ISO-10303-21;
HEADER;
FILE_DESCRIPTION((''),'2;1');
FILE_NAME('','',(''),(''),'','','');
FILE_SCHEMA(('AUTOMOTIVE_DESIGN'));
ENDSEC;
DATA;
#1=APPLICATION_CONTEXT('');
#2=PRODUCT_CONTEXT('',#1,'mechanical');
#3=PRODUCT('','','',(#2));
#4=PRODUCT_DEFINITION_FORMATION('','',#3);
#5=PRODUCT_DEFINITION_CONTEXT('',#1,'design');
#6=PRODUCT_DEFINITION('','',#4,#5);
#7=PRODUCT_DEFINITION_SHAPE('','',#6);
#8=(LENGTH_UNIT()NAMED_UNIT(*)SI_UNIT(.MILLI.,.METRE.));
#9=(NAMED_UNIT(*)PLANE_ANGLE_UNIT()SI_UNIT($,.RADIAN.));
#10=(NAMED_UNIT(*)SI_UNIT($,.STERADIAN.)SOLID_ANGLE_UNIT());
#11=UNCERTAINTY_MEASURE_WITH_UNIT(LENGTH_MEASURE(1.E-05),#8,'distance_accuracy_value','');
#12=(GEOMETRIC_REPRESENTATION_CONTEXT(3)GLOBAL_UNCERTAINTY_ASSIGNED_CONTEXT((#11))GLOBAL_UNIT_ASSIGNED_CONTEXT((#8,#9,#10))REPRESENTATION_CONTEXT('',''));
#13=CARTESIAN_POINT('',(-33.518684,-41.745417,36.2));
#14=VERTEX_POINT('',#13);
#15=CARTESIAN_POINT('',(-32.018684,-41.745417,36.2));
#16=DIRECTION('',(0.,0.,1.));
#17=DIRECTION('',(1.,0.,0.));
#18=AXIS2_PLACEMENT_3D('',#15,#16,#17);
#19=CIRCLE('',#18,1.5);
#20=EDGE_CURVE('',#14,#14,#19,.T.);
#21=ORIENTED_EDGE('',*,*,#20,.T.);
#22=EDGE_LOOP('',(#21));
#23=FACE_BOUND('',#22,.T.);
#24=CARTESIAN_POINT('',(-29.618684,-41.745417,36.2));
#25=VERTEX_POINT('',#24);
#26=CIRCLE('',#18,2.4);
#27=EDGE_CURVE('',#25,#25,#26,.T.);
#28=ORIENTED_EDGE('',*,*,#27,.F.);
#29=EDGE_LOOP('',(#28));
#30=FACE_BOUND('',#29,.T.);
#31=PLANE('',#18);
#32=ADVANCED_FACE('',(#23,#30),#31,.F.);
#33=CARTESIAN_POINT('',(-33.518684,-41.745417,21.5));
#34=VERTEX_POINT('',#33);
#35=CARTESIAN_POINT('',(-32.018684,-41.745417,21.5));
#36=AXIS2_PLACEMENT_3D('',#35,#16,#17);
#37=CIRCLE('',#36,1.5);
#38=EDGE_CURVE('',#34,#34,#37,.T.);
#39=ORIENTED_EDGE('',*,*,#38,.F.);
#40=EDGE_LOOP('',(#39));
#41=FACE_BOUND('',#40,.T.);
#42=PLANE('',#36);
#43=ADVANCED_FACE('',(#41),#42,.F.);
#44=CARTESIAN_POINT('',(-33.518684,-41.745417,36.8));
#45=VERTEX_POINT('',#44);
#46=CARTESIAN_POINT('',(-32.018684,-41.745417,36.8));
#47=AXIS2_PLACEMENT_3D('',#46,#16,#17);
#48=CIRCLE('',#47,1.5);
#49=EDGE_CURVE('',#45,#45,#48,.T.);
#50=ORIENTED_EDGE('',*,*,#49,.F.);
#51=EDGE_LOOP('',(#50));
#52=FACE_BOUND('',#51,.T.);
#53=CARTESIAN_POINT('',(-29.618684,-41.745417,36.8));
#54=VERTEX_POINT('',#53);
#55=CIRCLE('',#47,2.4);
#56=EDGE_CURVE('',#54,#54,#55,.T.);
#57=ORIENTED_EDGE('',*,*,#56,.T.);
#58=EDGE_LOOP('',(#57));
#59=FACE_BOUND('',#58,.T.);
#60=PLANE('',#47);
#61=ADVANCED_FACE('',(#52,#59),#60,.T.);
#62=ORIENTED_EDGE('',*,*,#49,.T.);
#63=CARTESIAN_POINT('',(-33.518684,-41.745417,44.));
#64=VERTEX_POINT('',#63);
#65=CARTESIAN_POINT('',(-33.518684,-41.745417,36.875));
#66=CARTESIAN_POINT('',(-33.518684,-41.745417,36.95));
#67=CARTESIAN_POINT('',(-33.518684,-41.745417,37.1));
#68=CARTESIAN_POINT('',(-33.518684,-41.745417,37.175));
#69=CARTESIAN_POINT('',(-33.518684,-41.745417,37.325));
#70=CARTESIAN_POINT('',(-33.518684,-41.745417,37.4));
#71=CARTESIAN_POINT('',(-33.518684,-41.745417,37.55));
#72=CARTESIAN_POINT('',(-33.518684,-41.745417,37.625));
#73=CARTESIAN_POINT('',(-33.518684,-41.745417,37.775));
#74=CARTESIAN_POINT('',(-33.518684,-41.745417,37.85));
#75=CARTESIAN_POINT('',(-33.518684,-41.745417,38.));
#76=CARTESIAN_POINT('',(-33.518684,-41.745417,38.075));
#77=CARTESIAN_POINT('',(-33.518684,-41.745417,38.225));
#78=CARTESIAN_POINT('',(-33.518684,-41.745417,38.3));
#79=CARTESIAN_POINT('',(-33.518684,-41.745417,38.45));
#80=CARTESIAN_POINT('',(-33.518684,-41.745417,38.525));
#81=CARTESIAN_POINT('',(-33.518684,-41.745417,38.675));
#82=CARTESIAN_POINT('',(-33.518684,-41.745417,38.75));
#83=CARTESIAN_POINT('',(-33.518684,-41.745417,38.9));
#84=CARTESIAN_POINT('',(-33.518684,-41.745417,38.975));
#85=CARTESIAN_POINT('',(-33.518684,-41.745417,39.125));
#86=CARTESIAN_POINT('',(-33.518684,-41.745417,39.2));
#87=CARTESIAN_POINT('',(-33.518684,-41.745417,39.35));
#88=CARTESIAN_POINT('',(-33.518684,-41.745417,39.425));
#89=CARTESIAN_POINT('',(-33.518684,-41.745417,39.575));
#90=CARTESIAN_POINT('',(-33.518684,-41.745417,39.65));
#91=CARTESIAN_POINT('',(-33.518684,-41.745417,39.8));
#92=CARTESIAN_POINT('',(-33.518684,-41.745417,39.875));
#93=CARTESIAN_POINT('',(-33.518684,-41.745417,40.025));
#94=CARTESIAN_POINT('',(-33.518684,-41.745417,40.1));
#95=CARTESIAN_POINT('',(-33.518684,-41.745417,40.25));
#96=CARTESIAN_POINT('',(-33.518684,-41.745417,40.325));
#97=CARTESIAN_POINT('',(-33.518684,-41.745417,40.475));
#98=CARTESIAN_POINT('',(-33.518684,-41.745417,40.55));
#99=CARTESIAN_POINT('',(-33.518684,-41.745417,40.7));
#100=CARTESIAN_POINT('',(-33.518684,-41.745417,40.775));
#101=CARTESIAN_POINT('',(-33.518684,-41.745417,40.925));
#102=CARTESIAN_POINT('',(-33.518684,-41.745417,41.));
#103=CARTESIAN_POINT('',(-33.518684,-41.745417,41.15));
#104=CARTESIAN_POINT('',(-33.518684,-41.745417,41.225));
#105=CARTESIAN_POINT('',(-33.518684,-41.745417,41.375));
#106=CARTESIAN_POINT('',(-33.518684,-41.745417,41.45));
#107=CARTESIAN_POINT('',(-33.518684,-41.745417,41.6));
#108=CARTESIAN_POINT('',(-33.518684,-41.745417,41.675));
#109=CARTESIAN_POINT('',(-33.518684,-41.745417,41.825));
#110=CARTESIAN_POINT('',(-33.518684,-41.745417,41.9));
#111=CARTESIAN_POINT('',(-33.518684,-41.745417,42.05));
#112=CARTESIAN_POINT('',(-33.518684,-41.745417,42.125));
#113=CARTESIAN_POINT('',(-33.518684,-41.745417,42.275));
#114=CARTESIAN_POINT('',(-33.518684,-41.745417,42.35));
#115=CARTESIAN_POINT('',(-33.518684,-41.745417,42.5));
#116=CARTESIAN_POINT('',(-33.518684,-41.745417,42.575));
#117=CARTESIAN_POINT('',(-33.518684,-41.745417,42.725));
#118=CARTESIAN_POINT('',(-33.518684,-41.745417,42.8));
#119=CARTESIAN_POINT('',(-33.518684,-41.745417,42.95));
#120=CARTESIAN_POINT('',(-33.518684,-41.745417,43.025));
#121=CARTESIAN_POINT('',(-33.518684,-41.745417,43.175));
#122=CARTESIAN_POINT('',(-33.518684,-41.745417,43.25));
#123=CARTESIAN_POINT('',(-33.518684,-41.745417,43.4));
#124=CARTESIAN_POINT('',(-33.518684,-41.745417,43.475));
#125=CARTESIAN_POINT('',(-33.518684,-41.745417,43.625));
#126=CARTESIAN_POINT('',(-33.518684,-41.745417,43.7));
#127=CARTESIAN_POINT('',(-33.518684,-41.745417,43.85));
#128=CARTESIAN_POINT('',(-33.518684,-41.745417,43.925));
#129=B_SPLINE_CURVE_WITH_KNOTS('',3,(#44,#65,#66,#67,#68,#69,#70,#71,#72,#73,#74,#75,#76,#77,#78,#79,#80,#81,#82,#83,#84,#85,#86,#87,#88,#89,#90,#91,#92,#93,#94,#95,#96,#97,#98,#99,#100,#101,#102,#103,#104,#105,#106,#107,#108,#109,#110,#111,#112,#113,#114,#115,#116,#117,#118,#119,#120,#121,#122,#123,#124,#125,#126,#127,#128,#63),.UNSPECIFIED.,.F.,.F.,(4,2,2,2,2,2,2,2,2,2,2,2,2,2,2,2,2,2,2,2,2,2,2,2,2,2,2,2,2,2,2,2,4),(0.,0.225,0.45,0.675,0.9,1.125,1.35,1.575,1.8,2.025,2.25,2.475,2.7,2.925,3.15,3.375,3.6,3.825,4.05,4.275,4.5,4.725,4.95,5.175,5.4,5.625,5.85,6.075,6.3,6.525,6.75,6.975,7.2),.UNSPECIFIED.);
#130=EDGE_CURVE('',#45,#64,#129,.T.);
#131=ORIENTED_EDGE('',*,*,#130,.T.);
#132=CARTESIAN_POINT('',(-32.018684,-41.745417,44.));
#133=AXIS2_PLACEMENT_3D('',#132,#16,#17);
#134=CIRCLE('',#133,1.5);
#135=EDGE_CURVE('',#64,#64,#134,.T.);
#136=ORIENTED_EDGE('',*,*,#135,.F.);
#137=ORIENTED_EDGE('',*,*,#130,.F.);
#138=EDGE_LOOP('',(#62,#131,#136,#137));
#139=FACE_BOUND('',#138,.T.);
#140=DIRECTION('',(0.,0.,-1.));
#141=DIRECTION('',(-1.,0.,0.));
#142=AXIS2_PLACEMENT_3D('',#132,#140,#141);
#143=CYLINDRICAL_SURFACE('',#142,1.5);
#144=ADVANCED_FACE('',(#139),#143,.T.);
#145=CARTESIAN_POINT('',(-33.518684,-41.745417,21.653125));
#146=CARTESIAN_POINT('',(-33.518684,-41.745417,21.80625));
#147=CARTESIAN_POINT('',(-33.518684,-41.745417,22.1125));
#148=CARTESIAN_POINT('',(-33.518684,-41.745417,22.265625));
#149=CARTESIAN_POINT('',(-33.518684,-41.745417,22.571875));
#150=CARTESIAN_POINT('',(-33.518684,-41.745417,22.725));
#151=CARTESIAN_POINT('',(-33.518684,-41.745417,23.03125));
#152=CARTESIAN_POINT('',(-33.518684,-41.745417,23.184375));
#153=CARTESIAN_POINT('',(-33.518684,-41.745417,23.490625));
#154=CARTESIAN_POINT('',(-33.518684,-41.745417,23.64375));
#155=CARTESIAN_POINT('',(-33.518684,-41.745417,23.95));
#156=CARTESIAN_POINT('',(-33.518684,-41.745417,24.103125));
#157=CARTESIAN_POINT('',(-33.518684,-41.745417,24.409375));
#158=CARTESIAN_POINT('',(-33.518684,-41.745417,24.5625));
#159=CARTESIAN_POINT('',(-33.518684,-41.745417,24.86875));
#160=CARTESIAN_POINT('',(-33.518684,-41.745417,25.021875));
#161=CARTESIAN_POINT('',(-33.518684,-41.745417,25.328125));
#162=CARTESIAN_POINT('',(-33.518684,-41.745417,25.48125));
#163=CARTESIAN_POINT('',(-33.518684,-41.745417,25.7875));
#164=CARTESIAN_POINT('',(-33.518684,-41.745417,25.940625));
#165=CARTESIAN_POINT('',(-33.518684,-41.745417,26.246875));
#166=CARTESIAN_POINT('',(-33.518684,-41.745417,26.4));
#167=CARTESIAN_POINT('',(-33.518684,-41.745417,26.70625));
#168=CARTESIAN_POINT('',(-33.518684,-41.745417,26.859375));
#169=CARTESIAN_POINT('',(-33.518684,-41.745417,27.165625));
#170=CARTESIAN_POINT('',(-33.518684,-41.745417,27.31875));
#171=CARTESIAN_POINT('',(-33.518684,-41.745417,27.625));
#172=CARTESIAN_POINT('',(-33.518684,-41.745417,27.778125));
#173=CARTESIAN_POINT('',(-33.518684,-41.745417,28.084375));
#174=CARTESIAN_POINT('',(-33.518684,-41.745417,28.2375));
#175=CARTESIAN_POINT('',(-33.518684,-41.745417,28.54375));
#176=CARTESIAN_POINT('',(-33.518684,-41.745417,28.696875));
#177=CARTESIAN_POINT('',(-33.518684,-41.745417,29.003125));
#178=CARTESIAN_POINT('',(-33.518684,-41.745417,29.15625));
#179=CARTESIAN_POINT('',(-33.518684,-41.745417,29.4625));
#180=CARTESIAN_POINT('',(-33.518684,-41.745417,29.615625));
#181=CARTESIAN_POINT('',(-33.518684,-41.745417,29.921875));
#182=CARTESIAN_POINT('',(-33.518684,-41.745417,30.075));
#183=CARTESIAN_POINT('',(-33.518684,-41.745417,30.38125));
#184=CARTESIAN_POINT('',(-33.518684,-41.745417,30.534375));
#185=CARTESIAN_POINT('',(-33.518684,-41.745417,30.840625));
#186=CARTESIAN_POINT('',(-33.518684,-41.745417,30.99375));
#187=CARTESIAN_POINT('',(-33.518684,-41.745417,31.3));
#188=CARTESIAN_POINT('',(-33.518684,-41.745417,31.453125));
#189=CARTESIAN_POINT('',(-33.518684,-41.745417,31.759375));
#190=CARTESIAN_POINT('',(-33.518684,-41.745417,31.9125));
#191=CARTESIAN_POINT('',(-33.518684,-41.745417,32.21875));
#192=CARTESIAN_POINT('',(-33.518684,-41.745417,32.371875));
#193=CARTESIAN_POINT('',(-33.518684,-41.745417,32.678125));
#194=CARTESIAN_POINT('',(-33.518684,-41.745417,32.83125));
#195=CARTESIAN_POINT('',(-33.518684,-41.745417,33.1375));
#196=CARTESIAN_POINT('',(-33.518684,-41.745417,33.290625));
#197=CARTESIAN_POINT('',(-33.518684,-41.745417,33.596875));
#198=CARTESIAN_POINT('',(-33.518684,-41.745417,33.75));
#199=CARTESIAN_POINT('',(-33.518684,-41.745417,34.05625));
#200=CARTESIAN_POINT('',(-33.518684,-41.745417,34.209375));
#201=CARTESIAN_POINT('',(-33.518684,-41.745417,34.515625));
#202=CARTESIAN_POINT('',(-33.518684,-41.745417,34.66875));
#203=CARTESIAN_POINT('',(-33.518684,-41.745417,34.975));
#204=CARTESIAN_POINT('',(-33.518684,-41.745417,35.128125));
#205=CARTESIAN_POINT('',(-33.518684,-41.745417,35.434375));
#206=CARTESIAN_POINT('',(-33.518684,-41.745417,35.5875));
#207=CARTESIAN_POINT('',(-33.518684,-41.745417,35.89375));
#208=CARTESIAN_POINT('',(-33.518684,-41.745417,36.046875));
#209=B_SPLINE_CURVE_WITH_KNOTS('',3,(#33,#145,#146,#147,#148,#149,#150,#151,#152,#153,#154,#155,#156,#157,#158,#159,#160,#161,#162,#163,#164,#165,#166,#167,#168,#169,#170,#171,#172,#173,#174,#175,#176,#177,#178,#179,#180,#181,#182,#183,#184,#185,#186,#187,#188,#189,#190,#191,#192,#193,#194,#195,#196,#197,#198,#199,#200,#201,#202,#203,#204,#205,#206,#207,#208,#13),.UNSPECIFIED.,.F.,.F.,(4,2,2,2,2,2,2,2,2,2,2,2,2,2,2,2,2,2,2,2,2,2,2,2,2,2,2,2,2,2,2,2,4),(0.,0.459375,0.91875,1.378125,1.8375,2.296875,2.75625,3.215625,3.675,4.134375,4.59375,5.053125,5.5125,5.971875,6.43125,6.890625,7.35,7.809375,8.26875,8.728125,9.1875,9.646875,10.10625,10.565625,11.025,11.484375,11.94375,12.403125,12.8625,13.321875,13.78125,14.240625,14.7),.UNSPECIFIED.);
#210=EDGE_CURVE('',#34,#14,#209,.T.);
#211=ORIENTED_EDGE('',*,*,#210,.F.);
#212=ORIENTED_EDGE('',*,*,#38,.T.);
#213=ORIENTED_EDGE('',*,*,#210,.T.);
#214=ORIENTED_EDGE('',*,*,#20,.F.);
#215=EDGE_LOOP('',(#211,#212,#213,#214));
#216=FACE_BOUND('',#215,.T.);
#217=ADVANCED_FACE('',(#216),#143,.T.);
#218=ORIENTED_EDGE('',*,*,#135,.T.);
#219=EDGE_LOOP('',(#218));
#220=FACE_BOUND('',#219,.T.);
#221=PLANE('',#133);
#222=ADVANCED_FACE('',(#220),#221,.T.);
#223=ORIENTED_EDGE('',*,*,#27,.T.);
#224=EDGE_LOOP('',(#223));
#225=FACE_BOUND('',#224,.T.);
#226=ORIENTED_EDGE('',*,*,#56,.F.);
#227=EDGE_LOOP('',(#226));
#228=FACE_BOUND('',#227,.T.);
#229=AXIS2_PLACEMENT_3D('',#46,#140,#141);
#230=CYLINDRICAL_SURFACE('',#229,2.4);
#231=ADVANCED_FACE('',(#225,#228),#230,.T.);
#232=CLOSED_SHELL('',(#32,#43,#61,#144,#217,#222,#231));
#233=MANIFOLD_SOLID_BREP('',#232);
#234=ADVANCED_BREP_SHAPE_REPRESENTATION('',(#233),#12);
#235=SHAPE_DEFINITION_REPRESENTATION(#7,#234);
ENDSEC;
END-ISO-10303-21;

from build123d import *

# Parameters (mm, degrees)
PLUNGER_STEM_START     = 21.5
SKETCH1_R              = 1.5
PLUNGER_STEM_DEPTH     = 22.5
CAPTIVE_SHOULDER_START = 36.2
SKETCH2_R              = 2.4
CAPTIVE_SHOULDER_DEPTH = 0.6


with BuildPart() as part:
    # Sketch1 → Plunger_stem (new body)
    with BuildSketch(Plane.XY.offset(PLUNGER_STEM_START)):
        with Locations(Location((-32.018684277, -41.745416557, 0), (0, 0, 180))):
            Circle(SKETCH1_R)
    extrude(amount=PLUNGER_STEM_DEPTH)

    # Sketch2 → Captive_shoulder (add)
    with BuildSketch(Plane.XY.offset(CAPTIVE_SHOULDER_START)):
        with Locations((-32.018684277, -41.745416557)):
            Circle(SKETCH2_R)
    extrude(amount=CAPTIVE_SHOULDER_DEPTH)


solid = part.part
